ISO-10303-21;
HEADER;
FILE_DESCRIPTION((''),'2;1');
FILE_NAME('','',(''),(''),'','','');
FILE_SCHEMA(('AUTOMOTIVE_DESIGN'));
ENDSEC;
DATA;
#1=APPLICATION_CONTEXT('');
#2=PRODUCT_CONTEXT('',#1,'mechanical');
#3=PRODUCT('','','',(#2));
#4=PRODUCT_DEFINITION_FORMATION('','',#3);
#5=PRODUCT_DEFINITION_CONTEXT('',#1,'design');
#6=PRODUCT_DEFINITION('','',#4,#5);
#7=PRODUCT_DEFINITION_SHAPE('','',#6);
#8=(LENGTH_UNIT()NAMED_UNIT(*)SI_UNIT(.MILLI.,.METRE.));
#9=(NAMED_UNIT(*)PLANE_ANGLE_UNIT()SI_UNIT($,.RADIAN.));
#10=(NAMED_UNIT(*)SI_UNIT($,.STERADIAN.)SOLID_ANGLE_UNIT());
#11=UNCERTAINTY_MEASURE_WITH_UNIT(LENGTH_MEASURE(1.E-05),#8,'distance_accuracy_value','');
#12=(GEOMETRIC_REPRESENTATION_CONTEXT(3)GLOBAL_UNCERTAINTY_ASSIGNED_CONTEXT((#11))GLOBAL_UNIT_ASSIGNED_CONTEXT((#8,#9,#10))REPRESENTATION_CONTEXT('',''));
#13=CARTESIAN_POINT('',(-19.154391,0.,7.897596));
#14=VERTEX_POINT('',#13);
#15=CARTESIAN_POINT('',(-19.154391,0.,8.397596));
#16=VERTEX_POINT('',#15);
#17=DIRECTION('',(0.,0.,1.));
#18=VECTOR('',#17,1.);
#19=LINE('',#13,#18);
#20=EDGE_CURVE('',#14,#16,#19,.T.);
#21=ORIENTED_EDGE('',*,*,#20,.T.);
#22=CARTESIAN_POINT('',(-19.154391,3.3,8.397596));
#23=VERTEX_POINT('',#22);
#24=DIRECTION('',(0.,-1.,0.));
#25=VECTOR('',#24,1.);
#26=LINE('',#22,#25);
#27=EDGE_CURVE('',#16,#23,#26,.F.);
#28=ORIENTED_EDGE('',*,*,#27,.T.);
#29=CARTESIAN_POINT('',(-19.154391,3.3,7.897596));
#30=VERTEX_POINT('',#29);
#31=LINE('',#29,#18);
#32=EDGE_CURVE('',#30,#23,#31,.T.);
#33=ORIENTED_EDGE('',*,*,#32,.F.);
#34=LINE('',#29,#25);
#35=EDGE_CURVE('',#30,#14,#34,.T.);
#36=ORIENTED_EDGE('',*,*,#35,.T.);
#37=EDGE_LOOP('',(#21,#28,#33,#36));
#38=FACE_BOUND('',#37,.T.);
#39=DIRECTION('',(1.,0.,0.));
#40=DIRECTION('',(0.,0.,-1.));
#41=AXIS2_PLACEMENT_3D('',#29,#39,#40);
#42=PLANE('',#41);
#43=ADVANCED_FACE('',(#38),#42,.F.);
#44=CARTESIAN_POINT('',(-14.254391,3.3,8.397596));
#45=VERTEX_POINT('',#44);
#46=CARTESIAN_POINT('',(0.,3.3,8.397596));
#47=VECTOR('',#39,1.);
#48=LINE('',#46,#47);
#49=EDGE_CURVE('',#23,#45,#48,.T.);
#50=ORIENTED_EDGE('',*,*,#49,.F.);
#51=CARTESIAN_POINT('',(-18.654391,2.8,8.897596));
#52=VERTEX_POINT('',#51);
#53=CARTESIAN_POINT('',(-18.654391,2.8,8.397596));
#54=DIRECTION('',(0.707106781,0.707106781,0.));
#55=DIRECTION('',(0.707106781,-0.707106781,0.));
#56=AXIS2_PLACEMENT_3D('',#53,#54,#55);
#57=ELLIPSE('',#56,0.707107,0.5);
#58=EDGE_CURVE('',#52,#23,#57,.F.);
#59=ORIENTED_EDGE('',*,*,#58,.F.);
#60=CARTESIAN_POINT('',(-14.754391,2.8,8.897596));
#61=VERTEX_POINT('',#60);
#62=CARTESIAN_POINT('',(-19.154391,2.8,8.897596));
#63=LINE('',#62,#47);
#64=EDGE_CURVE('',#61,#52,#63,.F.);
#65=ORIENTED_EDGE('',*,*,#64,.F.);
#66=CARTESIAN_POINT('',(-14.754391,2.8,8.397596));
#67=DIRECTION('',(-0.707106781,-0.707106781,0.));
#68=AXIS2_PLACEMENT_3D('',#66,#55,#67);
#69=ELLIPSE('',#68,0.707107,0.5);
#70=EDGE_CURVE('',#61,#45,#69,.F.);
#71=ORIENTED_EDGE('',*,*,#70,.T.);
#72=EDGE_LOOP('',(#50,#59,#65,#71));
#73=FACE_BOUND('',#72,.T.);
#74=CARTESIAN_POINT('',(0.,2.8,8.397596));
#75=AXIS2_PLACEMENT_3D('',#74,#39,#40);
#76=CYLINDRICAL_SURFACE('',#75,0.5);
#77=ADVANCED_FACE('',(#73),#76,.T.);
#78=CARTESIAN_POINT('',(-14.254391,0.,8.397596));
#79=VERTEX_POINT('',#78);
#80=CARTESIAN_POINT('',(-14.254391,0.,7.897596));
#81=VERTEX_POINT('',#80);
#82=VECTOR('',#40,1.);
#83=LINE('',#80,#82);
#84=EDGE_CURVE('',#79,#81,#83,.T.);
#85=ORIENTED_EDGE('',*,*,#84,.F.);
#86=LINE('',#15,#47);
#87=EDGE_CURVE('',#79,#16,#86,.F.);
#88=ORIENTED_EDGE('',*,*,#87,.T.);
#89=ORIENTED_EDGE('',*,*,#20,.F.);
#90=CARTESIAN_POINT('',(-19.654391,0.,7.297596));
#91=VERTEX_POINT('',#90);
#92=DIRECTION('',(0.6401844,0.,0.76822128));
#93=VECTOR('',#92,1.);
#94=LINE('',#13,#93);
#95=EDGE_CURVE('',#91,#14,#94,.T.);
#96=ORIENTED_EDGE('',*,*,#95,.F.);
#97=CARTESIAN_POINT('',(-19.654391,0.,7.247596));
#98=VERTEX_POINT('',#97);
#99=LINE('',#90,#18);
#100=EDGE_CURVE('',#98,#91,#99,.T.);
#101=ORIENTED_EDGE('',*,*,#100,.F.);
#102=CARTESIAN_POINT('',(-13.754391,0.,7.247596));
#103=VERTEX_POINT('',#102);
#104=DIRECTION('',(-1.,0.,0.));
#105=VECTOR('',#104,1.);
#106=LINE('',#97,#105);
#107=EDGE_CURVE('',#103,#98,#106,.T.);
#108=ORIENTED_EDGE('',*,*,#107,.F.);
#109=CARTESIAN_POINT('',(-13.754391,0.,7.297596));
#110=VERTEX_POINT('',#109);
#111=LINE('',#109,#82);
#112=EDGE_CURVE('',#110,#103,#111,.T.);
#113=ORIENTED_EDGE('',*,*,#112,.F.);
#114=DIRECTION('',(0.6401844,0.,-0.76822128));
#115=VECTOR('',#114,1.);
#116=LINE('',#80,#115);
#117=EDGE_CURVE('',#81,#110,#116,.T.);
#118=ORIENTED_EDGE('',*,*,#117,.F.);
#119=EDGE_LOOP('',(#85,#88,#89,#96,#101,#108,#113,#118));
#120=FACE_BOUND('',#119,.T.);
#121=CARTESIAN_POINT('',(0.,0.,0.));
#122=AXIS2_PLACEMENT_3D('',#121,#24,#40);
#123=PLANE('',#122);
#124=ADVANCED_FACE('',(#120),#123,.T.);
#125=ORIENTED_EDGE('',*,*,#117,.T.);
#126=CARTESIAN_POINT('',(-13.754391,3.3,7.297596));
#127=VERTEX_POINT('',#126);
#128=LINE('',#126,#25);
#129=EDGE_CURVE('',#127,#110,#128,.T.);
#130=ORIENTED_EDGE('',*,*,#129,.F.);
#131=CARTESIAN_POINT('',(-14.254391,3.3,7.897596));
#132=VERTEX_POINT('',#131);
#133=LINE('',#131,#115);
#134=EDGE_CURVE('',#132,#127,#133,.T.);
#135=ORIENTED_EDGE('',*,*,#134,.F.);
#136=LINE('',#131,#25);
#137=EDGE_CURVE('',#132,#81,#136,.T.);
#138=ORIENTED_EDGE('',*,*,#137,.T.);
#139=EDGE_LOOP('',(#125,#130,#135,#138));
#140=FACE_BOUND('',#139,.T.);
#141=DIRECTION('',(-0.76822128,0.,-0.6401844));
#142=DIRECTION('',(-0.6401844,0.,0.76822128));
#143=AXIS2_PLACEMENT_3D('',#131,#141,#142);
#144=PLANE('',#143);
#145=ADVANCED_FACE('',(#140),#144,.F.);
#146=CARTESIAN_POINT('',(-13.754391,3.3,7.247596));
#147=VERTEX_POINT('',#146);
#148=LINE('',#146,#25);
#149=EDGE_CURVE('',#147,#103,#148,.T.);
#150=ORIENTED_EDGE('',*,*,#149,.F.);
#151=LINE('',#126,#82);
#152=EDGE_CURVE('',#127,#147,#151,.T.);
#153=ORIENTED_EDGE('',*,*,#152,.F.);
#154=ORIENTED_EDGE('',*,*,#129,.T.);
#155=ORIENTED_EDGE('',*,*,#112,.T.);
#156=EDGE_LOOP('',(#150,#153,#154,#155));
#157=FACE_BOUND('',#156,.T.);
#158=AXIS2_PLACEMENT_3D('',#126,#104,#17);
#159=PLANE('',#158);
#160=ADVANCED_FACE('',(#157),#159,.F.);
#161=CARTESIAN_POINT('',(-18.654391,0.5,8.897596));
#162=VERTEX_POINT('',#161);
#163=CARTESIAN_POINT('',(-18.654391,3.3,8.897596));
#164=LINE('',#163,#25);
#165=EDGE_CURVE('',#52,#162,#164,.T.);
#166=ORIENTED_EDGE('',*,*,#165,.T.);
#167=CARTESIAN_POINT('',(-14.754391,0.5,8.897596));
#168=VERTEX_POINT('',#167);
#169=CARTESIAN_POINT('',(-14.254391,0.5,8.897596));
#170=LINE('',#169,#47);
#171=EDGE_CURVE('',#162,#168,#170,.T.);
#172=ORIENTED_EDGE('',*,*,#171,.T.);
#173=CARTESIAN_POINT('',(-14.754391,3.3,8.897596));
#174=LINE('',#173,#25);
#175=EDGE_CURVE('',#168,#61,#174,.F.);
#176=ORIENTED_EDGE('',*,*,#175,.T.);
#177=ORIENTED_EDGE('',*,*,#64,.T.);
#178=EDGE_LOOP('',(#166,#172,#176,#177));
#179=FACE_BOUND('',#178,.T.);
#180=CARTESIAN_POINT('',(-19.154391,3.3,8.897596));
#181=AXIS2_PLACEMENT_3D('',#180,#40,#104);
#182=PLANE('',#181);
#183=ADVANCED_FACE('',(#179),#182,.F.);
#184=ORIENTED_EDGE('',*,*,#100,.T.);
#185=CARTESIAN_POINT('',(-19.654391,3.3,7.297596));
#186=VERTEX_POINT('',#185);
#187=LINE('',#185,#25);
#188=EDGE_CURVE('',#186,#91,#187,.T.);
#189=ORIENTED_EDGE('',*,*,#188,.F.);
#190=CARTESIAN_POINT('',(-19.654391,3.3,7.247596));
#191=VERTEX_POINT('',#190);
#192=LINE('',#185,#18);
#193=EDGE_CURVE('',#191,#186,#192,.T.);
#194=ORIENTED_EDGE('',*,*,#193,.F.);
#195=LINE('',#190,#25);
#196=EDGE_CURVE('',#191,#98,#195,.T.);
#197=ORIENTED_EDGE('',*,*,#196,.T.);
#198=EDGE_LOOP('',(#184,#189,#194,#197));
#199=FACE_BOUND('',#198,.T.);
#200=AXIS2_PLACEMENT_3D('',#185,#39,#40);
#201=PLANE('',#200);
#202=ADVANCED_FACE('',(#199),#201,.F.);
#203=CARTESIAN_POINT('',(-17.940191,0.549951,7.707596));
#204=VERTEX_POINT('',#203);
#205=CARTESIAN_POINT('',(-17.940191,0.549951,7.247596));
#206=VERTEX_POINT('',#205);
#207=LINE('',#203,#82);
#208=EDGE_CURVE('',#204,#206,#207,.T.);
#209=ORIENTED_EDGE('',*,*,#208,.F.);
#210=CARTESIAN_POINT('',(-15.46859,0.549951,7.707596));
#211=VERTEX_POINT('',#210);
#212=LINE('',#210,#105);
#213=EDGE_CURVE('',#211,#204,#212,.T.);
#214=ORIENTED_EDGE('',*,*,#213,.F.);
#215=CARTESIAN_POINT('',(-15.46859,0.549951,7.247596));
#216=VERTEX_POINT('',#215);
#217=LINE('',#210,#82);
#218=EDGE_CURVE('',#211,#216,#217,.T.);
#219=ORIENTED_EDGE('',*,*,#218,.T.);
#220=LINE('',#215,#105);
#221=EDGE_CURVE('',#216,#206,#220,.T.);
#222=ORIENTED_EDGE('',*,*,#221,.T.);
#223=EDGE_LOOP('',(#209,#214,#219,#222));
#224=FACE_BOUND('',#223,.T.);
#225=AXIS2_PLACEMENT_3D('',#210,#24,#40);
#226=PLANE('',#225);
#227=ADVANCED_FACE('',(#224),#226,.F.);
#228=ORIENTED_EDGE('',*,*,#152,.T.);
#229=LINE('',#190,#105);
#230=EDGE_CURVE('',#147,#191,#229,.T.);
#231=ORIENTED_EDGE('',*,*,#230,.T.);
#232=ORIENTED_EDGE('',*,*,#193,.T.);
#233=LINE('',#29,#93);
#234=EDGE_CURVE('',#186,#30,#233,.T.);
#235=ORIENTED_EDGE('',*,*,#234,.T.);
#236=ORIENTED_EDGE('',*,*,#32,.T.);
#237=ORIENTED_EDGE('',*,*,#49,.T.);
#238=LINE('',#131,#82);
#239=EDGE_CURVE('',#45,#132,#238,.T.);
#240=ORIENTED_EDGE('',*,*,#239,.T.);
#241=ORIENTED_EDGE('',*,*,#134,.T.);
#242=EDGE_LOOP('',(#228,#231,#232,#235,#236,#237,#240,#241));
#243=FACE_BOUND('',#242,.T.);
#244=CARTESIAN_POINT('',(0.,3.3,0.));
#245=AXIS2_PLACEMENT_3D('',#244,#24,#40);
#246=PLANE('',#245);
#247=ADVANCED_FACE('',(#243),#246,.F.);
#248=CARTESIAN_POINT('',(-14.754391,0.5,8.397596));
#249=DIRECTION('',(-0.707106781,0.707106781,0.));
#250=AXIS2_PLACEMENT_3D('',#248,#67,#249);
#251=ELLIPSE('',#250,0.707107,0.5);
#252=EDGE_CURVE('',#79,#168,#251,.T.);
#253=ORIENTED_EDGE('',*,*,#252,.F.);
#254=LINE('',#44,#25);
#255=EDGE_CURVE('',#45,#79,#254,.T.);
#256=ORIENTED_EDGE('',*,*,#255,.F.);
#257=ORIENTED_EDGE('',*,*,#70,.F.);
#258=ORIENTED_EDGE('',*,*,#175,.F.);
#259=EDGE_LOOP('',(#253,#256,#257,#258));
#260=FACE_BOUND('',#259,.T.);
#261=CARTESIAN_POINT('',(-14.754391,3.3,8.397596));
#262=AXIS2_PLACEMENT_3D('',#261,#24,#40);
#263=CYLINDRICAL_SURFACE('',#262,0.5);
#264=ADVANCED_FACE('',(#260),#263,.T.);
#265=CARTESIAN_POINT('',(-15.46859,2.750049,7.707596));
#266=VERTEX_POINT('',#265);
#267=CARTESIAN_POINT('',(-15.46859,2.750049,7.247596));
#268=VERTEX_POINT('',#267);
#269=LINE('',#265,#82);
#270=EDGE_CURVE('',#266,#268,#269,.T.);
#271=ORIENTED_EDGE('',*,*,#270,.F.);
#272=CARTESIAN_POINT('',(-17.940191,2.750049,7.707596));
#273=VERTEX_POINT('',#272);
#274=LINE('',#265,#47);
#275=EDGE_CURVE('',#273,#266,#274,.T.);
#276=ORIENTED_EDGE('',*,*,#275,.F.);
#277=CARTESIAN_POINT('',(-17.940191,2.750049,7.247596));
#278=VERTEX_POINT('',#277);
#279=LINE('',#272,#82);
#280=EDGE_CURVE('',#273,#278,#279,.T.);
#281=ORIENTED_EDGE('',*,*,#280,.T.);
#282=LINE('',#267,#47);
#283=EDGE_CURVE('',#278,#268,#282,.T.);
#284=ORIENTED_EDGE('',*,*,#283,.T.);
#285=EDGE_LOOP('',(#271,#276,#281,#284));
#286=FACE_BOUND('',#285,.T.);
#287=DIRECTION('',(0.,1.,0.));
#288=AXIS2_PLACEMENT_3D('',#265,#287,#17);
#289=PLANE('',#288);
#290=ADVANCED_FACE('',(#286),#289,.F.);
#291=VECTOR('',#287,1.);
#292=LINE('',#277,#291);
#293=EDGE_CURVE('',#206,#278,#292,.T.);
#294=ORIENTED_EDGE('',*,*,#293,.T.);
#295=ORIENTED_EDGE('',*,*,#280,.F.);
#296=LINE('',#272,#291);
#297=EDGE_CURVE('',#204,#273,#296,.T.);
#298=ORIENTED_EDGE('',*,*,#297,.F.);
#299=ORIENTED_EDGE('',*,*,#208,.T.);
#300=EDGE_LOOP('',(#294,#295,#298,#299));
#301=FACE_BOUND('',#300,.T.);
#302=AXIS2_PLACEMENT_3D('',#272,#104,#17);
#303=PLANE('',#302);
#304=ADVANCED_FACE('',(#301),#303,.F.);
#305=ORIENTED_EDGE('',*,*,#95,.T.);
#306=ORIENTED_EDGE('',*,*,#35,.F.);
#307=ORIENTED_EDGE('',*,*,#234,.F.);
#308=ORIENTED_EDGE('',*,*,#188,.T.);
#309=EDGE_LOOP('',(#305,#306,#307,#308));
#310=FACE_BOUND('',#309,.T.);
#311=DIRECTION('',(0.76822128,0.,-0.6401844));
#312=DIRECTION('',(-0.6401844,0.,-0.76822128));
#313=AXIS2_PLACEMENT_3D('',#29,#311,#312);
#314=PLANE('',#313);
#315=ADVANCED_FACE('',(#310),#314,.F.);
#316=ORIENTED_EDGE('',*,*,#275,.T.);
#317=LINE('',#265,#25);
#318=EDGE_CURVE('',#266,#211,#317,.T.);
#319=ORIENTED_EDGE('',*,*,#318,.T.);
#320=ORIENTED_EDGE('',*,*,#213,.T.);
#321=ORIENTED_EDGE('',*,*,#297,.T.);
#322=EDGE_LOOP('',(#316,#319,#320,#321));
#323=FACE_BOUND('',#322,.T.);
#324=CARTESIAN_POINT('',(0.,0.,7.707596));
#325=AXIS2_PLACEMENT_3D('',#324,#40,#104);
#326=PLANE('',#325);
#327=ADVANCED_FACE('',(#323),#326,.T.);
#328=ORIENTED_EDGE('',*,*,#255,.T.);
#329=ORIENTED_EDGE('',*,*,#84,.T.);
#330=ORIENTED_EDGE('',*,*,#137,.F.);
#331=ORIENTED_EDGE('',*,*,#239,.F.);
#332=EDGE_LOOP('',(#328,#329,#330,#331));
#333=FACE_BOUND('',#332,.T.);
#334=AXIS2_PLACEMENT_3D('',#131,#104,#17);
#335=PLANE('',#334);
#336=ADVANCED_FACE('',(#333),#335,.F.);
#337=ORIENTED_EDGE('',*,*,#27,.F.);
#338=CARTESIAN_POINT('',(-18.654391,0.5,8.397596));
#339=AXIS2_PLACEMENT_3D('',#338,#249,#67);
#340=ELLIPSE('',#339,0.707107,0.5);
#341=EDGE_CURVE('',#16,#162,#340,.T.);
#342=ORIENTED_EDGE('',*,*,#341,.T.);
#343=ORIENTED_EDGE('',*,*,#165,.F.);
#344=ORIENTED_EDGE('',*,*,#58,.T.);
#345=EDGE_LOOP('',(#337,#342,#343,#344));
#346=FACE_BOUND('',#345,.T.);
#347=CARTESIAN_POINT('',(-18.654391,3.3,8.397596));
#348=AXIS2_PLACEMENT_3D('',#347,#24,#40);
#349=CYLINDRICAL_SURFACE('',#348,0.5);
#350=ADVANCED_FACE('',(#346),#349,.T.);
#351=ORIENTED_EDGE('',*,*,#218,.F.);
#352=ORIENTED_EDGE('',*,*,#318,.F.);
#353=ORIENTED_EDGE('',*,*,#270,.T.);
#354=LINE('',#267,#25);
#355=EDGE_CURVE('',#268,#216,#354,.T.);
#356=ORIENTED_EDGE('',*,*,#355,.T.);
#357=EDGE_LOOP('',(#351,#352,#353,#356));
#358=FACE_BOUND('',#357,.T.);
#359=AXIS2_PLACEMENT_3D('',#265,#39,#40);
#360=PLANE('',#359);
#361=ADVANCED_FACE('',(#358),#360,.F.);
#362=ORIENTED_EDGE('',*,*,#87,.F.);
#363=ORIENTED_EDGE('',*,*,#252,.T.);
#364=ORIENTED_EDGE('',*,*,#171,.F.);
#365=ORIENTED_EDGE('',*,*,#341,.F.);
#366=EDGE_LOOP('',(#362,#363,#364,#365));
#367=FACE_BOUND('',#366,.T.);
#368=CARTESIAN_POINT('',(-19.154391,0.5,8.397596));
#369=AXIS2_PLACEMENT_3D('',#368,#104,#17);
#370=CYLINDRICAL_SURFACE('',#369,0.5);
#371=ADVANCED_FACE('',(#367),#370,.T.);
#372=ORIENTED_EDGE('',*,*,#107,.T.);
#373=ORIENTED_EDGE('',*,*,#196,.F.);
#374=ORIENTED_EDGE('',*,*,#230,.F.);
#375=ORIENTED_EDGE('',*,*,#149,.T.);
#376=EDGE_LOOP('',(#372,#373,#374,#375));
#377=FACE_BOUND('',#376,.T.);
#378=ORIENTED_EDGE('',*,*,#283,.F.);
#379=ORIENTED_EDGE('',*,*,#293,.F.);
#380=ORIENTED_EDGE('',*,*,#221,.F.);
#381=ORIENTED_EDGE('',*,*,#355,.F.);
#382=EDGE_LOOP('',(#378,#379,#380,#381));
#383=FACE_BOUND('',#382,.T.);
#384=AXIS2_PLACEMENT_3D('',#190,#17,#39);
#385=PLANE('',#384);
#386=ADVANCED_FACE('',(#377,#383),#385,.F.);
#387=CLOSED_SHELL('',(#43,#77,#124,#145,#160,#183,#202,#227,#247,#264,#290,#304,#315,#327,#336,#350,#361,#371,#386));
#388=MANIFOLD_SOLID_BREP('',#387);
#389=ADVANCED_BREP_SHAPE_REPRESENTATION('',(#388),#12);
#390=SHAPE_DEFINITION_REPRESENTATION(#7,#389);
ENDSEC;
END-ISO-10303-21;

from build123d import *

# Parameters (mm, degrees)
BOSS_EXTRUDE1_DEPTH = 3.3
FILLET1_R           = 0.5
SKETCH2_W           = 2.471601058
SKETCH2_H           = 2.200098802
CUT_EXTRUDE1_DEPTH  = 0.46


with BuildPart() as part:
    # Sketch1 → Boss-Extrude1 (new body)
    with BuildSketch(Plane(origin=(0, 0, 0), x_dir=(1, 0, 0), z_dir=(0, 1, 0))):
        Polygon((-19.154390691, -8.897595786), (-14.254390691, -8.897595786), (-14.254390691, -7.897595786), (-13.754390691, -7.297595786), (-13.754390691, -7.247595786), (-19.654390691, -7.247595786), (-19.654390691, -7.297595786), (-19.154390691, -7.897595786), align=None)
    extrude(amount=BOSS_EXTRUDE1_DEPTH)

    # Fillet1
    fillet1_edges = [part.edges().sort_by_distance(p)[0] for p in [
        (-14.254390691, 1.65, 8.897595786),
        (-19.154390691, 1.65, 8.897595786),
        (-16.704390691, 3.3, 8.897595786),
        (-16.704390691, 0, 8.897595786),
    ]]
    fillet(fillet1_edges, radius=FILLET1_R)

    # Sketch2 → Cut-Extrude1 (cut)
    with BuildSketch(Plane(origin=(0, 0, 7.247595786), x_dir=(-1, 0, 0), z_dir=(0, 0, -1))):
        with Locations((16.704390691, 1.65)):
            Rectangle(SKETCH2_W, SKETCH2_H)
    extrude(amount=-CUT_EXTRUDE1_DEPTH, mode=Mode.SUBTRACT)


solid = part.part
